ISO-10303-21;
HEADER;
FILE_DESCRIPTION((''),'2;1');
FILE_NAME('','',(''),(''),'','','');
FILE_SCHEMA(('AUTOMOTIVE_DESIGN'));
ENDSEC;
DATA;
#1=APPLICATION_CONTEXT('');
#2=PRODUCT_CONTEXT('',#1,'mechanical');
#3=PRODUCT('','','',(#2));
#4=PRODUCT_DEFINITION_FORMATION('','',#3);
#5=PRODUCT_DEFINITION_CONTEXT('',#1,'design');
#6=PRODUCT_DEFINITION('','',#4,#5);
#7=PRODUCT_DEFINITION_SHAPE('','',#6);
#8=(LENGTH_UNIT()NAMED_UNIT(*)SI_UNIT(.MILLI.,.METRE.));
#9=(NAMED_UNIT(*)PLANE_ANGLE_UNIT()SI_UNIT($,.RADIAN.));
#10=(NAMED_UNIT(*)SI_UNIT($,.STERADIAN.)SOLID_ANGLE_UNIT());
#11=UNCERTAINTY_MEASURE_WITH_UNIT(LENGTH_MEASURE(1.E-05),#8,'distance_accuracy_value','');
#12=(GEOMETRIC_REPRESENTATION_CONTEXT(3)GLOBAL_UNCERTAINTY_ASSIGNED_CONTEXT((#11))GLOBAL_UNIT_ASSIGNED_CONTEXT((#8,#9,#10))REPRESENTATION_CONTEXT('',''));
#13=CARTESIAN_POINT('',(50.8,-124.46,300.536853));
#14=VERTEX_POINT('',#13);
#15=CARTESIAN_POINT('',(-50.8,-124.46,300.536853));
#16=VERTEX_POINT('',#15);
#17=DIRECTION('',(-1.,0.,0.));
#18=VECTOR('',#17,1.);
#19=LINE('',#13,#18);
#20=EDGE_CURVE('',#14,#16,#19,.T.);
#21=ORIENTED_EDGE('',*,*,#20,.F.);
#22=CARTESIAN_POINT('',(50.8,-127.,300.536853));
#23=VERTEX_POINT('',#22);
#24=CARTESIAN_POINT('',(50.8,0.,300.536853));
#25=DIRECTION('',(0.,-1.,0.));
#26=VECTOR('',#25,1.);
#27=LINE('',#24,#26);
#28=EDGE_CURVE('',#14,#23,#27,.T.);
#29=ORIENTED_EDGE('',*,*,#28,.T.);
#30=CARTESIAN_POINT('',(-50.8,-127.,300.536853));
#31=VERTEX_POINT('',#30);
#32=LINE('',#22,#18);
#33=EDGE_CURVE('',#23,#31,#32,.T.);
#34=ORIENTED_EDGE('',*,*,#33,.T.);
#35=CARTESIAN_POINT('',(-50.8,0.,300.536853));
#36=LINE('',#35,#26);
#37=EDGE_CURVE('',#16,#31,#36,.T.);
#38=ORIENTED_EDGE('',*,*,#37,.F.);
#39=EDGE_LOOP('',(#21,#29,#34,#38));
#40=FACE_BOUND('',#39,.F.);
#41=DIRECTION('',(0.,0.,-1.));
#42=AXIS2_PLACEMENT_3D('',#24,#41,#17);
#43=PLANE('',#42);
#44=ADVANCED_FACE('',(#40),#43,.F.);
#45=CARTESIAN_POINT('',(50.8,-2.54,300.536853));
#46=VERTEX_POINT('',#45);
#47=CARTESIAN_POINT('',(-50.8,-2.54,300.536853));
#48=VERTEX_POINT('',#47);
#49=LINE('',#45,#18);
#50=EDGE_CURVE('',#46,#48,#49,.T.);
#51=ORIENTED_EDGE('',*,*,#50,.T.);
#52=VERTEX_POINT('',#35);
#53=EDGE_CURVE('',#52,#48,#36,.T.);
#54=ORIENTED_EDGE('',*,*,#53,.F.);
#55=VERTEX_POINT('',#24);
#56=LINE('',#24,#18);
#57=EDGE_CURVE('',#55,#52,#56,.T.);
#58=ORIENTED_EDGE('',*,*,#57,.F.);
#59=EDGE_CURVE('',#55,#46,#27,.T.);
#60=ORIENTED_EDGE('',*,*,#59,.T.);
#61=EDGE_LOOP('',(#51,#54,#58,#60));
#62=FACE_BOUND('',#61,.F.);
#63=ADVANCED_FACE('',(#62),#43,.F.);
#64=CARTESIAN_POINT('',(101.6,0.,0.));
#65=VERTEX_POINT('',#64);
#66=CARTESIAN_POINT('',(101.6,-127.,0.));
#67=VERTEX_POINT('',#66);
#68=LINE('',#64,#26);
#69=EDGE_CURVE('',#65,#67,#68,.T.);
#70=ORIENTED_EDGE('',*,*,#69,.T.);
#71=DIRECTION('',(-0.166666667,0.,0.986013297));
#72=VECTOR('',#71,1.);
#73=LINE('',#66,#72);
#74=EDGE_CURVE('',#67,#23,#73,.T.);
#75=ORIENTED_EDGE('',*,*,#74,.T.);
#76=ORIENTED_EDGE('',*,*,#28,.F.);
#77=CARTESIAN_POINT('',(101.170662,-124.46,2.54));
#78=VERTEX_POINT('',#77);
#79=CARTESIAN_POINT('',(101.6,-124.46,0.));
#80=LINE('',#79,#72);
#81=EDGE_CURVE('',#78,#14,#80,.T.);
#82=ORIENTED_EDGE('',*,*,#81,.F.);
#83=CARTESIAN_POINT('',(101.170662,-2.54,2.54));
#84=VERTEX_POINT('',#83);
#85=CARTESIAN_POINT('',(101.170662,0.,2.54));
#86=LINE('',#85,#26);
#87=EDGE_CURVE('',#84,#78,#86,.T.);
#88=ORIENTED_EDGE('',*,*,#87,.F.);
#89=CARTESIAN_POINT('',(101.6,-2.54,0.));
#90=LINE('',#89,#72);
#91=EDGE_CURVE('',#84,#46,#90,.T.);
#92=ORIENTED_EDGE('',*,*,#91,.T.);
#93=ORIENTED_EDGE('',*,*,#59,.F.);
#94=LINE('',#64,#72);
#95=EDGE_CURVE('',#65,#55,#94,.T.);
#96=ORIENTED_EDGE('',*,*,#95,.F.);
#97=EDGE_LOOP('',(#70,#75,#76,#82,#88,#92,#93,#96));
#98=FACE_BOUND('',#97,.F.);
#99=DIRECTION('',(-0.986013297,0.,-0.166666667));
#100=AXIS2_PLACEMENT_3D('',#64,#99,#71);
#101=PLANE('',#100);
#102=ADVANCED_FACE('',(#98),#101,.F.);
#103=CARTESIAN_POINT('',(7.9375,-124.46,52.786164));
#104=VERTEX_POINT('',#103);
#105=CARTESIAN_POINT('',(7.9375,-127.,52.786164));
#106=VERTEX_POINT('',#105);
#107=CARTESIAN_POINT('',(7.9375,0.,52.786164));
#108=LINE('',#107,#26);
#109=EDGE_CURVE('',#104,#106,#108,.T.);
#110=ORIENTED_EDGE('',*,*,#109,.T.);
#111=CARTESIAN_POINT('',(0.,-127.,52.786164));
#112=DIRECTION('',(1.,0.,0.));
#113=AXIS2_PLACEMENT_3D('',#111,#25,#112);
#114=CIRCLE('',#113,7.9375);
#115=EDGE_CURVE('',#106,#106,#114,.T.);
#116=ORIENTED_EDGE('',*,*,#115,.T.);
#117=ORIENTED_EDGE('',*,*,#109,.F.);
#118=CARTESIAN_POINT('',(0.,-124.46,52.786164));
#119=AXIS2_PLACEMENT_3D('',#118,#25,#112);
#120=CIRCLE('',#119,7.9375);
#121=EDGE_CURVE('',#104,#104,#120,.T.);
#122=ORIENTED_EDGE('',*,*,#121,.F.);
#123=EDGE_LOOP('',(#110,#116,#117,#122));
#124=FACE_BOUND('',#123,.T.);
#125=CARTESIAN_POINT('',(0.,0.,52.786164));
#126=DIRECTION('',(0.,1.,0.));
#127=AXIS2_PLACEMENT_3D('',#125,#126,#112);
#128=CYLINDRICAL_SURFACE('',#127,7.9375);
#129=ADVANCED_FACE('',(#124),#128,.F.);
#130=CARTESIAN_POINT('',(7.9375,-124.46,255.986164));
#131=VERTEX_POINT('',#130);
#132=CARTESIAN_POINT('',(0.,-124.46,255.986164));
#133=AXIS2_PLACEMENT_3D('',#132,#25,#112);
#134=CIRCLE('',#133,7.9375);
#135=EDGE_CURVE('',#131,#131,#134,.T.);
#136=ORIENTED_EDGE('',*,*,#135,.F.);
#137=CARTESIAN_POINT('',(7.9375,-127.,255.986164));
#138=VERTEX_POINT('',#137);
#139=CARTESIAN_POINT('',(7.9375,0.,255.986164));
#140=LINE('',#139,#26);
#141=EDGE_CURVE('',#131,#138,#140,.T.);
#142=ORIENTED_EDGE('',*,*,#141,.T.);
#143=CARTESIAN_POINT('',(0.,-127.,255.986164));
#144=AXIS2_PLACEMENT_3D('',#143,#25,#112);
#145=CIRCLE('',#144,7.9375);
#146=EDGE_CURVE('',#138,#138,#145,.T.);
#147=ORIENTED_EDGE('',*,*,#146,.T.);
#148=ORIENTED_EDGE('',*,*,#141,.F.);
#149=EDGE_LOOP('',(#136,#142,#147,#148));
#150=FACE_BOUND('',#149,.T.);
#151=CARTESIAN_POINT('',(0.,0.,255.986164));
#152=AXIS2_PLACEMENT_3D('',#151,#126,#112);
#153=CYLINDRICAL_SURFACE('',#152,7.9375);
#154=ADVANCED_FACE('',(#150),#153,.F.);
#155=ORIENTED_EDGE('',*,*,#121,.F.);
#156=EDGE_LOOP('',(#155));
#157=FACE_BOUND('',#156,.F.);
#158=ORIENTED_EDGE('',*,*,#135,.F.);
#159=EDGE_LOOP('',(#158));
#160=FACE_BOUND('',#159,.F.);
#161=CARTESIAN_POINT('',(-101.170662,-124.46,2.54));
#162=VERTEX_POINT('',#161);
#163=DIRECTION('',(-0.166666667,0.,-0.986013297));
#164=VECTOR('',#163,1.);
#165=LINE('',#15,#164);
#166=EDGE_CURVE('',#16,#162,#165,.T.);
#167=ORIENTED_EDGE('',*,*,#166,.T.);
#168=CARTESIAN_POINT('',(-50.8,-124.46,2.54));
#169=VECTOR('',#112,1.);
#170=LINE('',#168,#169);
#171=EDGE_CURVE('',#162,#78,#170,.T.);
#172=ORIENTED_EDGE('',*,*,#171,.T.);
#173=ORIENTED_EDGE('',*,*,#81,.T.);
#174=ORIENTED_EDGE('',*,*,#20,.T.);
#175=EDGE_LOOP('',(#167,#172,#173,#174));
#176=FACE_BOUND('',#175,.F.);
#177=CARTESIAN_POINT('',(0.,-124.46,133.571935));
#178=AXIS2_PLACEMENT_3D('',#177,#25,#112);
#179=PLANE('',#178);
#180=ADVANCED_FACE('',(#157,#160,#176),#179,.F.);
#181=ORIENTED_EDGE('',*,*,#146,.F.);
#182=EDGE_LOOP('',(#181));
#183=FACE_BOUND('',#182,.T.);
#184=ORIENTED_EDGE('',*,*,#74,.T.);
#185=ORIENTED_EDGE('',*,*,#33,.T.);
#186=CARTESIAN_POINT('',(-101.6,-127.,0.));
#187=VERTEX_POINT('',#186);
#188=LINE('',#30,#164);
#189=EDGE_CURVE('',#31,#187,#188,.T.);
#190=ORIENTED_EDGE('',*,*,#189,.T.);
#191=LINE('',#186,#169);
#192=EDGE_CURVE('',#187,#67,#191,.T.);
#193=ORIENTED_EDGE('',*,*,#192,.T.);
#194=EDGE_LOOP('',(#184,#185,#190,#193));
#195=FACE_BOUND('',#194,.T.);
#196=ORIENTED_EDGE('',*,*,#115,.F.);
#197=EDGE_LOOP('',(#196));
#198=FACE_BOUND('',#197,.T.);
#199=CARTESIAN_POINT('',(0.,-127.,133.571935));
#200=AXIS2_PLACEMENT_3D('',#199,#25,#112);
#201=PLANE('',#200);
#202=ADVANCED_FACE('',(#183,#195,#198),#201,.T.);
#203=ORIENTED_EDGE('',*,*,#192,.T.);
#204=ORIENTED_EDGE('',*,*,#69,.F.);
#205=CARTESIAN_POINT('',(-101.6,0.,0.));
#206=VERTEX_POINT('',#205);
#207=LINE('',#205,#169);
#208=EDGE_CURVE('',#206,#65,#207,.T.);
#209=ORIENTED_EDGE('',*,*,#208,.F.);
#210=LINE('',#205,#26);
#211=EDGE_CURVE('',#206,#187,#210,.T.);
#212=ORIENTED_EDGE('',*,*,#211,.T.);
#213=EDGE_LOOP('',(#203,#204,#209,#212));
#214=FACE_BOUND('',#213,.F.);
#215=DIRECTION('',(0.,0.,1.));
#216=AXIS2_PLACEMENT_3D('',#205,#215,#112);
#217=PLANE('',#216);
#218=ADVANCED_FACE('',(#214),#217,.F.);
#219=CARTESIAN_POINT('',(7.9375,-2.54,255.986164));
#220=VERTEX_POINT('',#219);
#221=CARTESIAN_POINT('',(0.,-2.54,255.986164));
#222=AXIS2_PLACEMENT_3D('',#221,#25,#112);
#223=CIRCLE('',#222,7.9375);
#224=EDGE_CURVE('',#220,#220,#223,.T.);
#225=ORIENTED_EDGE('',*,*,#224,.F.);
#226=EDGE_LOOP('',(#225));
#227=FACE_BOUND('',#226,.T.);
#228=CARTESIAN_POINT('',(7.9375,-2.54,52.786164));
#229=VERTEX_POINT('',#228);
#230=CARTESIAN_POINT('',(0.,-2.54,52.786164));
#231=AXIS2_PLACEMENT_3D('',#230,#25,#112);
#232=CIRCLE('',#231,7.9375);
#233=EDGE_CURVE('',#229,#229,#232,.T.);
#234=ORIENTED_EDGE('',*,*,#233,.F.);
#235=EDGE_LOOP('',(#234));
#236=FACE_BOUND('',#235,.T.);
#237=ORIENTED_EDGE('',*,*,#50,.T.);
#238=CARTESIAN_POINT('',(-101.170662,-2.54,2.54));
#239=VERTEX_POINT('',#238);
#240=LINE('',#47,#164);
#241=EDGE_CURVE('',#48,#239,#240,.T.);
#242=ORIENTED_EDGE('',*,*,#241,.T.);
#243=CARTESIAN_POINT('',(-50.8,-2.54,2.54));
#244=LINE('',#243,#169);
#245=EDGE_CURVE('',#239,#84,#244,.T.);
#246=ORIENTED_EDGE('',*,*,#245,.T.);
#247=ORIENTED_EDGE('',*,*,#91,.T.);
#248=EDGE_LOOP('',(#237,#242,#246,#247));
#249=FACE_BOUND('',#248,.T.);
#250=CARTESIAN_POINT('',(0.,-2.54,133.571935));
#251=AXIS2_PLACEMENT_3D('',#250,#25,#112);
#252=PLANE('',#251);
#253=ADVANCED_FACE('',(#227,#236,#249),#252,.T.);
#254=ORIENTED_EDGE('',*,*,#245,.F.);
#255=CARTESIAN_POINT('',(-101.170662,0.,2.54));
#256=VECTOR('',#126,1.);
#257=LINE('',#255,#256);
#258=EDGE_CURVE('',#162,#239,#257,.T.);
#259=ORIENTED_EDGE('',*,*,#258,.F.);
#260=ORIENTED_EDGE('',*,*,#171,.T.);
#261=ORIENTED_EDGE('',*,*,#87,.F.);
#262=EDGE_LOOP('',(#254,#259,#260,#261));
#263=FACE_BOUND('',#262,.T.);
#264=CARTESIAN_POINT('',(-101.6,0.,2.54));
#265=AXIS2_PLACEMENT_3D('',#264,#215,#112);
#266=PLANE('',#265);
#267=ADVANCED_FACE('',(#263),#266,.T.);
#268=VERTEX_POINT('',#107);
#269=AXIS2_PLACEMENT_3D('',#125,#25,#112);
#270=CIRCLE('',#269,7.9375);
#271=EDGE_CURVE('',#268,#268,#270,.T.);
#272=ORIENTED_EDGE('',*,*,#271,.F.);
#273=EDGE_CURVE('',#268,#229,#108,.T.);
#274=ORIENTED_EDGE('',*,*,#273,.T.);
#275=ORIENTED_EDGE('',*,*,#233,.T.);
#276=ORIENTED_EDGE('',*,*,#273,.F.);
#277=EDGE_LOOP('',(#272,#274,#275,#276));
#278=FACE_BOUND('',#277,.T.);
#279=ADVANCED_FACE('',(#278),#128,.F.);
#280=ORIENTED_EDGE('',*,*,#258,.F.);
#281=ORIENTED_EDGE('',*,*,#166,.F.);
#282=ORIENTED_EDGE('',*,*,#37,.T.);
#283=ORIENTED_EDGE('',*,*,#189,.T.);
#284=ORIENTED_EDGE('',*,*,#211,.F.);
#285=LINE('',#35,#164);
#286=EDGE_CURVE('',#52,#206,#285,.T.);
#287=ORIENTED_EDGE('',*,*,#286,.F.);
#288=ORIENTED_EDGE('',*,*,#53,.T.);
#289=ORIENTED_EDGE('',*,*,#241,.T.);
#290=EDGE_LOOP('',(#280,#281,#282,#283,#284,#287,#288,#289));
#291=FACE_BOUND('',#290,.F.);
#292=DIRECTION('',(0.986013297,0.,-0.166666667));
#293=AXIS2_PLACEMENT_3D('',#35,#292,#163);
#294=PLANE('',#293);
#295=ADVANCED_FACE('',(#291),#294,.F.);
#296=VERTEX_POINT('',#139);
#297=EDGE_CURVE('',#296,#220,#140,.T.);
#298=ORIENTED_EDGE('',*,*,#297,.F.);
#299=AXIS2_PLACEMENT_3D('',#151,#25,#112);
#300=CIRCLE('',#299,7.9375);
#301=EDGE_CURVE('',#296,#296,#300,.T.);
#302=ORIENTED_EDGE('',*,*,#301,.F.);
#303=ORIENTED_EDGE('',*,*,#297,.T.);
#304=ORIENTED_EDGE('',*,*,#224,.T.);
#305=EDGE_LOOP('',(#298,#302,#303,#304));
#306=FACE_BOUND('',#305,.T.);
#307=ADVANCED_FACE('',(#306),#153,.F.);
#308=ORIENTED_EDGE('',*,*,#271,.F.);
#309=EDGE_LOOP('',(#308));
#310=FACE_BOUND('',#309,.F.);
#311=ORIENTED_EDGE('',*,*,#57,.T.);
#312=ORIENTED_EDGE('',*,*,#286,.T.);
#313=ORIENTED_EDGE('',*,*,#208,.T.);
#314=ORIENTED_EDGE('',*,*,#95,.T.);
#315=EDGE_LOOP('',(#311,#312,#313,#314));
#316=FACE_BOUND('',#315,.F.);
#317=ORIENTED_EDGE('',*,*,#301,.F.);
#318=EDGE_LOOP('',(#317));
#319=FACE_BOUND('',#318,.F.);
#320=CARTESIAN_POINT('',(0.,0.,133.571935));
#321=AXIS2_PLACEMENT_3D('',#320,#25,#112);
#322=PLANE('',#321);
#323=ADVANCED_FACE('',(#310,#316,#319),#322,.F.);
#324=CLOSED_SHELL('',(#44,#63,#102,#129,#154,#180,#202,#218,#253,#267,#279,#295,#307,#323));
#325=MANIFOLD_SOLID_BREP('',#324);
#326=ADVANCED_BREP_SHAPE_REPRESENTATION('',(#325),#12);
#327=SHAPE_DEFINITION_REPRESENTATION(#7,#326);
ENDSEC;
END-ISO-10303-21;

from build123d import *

# Parameters (mm, degrees)
F0_R     = 7.9375
F1_DEPTH = 127
F2_T     = -2.54


with BuildPart() as f1:
    # F0 (on Front) → F1 (new body)
    with BuildSketch(Plane.XZ):
        Polygon((-101.6, 0), (0, 0), (101.6, 0), (50.8, 300.536853), (0, 300.536853), (-50.8, 300.536853), align=None)
        with Locations((0, 52.786164)):
            Circle(F0_R, mode=Mode.SUBTRACT)
        with Locations((0, 255.986164)):
            Circle(F0_R, mode=Mode.SUBTRACT)
    extrude(amount=F1_DEPTH)

    # F2
    f2_openings = [f1.faces().sort_by_distance(p)[0] for p in [
        (-76.2, -63.5, 150.268426),
        (0, -63.5, 300.536853),
        (-7.9375, -63.5, 255.986164),
        (-7.9375, -63.5, 52.786164),
        (76.2, -63.5, 150.268426),
    ]]
    offset(amount=F2_T, openings=f2_openings)


solid = f1.part
